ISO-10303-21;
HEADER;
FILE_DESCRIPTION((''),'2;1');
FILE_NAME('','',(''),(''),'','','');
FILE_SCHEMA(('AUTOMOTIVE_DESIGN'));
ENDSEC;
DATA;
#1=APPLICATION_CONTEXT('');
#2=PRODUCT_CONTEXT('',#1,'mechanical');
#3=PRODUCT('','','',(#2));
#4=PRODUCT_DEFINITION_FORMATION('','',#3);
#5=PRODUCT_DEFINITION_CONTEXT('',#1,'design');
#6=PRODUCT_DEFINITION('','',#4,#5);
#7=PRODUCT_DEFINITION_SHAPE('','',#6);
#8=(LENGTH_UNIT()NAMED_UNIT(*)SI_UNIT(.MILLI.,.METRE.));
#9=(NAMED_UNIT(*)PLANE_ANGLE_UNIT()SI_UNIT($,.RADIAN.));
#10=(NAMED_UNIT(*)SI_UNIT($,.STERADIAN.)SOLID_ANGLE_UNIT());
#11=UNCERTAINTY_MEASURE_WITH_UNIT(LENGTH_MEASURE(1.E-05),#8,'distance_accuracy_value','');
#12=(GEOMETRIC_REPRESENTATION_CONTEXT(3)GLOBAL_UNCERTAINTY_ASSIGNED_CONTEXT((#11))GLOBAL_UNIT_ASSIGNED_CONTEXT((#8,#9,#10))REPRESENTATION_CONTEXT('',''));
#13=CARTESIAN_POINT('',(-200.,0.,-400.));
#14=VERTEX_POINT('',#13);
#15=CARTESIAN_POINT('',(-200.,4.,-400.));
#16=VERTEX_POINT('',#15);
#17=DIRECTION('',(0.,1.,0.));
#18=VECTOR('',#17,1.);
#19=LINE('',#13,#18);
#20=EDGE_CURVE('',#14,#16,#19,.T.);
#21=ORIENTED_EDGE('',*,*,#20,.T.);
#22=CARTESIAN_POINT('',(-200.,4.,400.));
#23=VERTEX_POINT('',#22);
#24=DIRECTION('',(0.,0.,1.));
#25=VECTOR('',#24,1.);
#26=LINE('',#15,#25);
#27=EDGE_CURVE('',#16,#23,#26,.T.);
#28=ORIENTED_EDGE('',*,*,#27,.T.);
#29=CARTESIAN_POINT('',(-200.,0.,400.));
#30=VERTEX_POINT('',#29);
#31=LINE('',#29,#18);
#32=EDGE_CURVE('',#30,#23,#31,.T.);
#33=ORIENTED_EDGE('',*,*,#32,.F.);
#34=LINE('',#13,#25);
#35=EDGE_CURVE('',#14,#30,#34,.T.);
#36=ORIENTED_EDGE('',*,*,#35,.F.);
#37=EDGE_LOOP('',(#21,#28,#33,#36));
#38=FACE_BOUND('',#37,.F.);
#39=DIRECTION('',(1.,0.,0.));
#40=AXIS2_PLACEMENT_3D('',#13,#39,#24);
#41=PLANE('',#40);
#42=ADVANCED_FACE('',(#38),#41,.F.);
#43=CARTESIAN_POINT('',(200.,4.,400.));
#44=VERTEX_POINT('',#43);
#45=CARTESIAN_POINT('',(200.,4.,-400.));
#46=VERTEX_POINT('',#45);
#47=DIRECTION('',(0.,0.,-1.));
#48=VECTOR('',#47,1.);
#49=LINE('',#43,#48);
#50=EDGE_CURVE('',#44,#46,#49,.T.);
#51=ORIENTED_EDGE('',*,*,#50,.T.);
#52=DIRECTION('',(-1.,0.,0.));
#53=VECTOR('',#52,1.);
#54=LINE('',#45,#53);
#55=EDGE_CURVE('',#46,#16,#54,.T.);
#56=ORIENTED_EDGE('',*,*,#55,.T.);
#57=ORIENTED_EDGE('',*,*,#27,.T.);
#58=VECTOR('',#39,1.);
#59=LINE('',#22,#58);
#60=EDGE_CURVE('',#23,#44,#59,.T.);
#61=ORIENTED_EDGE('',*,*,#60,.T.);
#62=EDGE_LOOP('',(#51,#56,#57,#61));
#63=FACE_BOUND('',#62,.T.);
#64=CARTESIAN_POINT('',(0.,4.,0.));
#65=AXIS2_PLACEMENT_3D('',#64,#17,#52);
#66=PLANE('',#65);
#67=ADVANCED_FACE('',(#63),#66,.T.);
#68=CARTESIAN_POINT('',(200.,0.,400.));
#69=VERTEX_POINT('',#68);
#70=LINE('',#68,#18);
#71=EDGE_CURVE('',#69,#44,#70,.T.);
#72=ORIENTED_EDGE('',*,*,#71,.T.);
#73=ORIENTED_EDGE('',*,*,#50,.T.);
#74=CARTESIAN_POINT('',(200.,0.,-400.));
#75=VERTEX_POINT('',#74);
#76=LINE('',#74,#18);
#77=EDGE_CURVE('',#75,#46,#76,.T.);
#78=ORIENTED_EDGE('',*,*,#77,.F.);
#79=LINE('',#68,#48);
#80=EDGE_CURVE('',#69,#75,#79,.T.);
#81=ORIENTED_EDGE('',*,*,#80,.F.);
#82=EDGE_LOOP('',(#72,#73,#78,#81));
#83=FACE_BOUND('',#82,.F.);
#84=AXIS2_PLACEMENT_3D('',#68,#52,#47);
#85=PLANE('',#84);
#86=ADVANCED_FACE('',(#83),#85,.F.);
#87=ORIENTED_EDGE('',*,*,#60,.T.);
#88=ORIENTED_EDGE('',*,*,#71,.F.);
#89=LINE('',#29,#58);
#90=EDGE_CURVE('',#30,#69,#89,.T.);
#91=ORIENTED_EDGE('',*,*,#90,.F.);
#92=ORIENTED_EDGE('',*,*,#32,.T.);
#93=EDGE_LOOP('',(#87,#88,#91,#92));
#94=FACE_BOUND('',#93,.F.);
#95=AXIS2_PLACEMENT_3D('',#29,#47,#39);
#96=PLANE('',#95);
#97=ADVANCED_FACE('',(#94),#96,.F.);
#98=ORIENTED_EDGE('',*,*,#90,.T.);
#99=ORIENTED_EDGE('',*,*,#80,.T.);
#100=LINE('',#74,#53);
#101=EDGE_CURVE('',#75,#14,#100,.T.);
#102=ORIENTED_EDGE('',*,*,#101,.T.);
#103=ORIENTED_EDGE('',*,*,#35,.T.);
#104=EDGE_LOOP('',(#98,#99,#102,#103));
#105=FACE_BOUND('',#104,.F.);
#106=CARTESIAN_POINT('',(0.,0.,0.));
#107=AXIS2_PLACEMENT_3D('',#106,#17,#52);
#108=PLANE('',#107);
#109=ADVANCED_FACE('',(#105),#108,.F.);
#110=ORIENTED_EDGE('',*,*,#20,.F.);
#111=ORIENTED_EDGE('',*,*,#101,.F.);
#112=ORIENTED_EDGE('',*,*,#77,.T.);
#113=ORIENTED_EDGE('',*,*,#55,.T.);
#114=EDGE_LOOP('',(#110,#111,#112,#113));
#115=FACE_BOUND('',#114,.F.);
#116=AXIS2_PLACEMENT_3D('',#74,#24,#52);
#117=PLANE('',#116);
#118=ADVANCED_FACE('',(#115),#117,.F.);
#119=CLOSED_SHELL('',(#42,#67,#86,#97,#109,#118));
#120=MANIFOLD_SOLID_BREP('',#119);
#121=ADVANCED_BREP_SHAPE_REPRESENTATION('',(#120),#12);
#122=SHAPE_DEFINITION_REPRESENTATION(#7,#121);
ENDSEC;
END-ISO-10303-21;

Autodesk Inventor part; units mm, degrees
ref_plane "YZ Plane" through (0, 0, 0) normal (1, 0, 0) x (0, 1, 0)
ref_plane "XZ Plane" through (0, 0, 0) normal (0, 1, 0) x (-1, 0, 0)
ref_plane "XY Plane" through (0, 0, 0) normal (0, 0, 1) x (1, 0, 0)
sketch "Sketch1" plane through (0, 0, 0) normal (0, 1, 0) x (-1, 0, 0)
  line L0 (200, 400) -> (-200, 400)
  line L1 (-200, 400) -> (-200, -400)
  line L2 (-200, -400) -> (200, -400)
  line L3 (200, -400) -> (200, 400)
  point P0 (0, 0)
  dimension "d0" = 800
  dimension "d1" = 400
  dimension "d2" = 200
  dimension "d3" = 400
extrude "Extrusion1" add sketch "Sketch1" along normal blind 4
properties part number "back"
